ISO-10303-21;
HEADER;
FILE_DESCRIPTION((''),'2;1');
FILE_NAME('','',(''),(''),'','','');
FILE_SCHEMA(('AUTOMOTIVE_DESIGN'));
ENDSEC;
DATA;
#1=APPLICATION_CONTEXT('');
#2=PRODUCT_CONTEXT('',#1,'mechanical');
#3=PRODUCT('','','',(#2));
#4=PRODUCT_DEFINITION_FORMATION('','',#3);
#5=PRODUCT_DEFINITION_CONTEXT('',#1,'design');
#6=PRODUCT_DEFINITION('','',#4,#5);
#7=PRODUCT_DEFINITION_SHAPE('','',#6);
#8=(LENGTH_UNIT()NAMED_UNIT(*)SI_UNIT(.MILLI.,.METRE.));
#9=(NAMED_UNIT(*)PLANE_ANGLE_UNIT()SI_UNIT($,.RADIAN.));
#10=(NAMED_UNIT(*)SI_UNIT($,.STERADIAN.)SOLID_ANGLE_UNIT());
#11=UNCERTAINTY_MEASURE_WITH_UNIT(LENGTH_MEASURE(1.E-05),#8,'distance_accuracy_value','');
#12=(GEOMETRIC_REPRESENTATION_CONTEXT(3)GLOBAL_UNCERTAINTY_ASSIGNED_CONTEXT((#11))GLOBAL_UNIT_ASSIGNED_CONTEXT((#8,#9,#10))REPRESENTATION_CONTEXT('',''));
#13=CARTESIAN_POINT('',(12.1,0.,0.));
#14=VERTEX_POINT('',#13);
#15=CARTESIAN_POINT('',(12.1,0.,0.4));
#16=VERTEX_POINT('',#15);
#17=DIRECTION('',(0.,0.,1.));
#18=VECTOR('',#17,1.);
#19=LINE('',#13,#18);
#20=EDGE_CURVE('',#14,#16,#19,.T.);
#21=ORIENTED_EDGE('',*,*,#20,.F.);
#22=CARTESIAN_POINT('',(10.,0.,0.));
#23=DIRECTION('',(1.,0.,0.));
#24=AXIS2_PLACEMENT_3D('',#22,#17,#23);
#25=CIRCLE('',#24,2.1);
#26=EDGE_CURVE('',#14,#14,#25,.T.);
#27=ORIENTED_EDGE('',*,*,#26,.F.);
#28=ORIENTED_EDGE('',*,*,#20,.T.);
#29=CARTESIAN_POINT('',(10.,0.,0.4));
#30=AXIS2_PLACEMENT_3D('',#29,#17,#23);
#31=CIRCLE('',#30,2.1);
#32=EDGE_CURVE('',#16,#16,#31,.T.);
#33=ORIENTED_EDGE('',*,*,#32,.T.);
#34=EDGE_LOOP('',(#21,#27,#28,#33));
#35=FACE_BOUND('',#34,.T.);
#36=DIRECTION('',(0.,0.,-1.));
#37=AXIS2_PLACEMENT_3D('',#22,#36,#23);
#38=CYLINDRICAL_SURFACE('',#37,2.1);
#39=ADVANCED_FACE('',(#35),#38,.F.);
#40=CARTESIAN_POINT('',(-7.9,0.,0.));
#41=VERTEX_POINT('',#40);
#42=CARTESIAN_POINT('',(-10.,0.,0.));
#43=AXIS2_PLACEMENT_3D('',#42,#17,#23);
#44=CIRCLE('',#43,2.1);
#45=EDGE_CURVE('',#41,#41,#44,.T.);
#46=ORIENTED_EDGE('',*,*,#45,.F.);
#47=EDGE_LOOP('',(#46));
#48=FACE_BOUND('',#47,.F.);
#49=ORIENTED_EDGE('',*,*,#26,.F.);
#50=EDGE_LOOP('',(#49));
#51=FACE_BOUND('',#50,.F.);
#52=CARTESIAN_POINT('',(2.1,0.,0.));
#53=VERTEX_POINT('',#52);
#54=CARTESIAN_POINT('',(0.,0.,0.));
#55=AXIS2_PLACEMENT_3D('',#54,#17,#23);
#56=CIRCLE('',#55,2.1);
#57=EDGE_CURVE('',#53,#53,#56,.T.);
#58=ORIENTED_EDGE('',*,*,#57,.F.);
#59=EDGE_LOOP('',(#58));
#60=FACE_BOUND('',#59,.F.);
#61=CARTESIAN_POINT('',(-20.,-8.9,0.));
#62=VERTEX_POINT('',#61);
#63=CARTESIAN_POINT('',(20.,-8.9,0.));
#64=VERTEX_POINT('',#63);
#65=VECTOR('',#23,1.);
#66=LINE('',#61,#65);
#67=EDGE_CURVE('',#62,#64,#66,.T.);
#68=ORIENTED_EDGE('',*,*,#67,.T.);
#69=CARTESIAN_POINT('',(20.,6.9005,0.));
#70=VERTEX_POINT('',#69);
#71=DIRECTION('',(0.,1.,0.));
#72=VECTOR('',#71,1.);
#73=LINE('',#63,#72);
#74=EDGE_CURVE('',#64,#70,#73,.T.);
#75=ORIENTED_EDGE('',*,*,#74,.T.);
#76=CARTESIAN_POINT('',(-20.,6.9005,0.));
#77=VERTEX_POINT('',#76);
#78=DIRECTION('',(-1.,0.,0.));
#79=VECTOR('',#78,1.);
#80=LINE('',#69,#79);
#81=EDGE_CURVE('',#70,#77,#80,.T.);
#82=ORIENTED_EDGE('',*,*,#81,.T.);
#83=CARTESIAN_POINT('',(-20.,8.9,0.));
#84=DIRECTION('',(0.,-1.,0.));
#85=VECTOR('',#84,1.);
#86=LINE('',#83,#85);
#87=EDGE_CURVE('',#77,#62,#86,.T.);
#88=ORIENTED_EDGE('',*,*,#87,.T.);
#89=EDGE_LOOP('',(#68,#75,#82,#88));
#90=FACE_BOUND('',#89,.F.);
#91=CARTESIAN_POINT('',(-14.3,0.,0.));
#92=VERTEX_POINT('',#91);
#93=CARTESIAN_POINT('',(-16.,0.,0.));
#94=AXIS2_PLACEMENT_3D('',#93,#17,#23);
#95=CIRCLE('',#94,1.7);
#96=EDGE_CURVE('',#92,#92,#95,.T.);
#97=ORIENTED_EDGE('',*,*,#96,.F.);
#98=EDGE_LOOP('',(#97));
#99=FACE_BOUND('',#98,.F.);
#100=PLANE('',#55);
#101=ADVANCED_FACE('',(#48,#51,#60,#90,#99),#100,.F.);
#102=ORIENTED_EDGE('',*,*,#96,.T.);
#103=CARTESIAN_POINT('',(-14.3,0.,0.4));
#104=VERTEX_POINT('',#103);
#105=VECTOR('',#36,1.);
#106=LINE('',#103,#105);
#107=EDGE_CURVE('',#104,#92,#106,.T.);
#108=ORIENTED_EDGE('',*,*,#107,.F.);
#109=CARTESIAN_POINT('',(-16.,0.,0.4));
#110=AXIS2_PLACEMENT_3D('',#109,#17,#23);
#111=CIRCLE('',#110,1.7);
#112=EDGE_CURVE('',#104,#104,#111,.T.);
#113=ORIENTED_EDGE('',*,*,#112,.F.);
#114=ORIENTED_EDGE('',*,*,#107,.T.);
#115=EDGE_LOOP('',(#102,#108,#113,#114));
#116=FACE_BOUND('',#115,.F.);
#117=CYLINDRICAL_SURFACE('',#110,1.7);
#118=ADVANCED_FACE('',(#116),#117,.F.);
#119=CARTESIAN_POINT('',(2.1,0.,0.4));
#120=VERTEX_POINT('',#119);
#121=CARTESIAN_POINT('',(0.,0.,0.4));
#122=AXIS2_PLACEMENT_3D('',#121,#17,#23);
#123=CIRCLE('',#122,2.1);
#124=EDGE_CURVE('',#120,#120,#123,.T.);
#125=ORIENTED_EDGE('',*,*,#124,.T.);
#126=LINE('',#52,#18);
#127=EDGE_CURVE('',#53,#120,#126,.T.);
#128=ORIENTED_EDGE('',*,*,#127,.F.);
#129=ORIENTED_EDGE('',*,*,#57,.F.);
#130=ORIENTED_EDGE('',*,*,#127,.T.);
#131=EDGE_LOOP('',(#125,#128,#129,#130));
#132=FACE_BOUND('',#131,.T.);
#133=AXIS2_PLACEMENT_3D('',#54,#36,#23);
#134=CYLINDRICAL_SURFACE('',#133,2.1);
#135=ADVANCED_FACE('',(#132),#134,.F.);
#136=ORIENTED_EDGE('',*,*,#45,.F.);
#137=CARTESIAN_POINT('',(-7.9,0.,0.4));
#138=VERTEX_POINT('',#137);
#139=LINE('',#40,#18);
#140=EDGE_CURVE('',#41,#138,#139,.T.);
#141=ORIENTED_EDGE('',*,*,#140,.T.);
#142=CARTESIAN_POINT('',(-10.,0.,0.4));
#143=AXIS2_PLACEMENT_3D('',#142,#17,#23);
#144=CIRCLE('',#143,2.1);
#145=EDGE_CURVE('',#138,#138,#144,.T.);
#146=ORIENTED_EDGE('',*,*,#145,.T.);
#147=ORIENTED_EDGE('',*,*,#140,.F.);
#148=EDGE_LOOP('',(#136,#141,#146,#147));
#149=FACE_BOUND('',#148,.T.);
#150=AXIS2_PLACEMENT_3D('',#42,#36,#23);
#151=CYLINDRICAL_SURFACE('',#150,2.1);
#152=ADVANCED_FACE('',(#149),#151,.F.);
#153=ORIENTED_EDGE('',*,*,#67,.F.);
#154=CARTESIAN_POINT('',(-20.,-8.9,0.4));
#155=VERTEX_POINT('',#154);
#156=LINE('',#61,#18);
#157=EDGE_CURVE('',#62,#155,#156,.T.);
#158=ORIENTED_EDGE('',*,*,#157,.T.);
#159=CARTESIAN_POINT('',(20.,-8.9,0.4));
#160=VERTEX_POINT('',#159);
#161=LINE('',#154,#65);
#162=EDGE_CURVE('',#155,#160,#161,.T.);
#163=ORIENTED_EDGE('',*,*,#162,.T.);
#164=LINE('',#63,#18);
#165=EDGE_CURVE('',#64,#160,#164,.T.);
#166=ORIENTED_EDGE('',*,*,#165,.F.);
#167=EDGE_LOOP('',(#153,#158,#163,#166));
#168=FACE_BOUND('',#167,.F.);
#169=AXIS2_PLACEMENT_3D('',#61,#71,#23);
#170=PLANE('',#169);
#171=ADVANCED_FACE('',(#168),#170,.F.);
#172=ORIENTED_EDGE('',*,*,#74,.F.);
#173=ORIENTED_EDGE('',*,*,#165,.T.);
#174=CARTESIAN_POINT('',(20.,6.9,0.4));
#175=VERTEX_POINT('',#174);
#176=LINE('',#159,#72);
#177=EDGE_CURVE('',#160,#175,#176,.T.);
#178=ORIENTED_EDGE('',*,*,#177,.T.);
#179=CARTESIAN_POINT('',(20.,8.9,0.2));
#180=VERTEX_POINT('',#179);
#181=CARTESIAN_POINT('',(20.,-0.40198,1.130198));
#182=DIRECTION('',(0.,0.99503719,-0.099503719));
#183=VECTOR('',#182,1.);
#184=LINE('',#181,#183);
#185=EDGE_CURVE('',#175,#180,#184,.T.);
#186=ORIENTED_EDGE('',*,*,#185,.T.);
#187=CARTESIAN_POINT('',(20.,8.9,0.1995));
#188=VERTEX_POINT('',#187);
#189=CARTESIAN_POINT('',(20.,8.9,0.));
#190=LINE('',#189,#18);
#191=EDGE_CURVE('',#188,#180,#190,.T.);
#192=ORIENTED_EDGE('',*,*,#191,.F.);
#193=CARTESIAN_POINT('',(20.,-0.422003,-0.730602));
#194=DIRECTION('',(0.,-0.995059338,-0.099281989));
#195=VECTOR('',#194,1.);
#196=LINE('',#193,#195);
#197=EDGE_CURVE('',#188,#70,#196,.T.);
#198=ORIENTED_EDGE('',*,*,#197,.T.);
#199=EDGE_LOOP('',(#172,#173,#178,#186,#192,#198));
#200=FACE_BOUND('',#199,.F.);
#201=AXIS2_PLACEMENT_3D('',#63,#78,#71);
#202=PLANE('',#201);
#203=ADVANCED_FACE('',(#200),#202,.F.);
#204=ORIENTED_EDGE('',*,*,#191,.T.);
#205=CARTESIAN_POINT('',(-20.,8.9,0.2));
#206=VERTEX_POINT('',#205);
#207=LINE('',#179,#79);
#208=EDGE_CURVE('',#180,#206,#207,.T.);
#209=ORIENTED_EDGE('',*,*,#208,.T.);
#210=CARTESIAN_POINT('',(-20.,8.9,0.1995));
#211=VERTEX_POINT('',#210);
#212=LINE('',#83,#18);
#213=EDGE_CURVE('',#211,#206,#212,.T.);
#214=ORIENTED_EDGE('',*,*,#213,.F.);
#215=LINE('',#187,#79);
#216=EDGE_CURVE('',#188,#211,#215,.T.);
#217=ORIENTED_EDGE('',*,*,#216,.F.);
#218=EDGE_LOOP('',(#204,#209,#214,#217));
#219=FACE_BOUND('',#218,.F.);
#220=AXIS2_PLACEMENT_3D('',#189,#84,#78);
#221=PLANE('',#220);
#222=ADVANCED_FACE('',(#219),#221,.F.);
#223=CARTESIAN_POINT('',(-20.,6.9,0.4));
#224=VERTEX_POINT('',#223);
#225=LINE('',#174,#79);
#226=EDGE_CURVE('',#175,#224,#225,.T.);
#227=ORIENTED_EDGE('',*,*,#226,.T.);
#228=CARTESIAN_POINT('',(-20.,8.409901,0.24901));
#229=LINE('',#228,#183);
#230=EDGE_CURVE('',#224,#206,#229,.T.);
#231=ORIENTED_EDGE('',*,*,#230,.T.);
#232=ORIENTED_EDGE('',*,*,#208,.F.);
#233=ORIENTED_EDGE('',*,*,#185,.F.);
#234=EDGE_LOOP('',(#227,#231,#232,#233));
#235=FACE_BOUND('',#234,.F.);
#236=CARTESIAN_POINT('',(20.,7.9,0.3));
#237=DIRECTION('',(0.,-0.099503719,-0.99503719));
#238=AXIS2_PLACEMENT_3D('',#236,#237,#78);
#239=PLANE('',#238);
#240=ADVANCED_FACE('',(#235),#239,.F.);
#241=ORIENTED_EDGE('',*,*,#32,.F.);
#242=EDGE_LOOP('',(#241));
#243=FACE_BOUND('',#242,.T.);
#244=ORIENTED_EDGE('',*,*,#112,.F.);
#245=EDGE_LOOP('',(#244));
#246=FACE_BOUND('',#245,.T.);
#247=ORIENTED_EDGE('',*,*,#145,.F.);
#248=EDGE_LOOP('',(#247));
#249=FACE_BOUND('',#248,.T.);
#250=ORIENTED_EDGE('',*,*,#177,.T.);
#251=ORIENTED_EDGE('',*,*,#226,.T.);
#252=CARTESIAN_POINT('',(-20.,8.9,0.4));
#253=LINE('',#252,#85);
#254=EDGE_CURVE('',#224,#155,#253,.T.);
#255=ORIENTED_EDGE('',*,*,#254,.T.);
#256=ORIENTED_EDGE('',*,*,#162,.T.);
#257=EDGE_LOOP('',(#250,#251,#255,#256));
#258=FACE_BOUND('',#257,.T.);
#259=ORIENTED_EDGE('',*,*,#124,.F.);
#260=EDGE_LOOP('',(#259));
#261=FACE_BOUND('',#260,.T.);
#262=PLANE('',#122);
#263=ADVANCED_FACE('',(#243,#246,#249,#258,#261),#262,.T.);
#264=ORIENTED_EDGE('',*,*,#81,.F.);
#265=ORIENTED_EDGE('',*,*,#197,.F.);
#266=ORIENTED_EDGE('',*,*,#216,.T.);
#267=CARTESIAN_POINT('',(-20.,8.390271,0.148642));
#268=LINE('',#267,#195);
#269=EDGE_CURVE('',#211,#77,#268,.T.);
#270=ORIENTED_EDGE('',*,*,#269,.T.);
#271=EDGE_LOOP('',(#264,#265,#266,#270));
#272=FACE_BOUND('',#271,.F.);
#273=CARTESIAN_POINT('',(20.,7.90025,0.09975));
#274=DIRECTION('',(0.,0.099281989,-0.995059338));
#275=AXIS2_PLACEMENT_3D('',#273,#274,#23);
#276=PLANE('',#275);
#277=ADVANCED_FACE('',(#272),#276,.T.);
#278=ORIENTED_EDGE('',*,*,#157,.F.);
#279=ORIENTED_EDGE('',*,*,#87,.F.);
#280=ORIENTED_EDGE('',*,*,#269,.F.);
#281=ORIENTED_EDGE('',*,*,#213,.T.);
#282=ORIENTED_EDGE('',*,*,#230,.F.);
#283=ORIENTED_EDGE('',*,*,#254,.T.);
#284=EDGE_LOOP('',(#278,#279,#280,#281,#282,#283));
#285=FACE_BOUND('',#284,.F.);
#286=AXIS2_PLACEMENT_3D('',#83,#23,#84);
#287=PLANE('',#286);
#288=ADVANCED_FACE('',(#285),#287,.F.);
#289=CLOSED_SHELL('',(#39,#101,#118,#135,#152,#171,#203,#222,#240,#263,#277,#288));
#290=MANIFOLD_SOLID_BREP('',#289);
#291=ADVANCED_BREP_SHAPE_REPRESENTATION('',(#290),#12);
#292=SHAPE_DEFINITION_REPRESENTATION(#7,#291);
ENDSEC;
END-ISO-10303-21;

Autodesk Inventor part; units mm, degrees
ref_plane "YZ Plane" through (0, 0, 0) normal (1, 0, 0) x (0, 1, 0)
ref_plane "XZ Plane" through (0, 0, 0) normal (0, 1, 0) x (-1, 0, 0)
ref_plane "XY Plane" through (0, 0, 0) normal (0, 0, 1) x (1, 0, 0)
sketch "スケッチ1" plane through (0, 0, 0) normal (0, 0, 1) x (1, 0, 0)
  line L0 (-20, -8.9) -> (20, -8.9)
  line L1 (20, -8.9) -> (20, 8.9)
  line L2 (20, 8.9) -> (-20, 8.9)
  line L3 (-20, 8.9) -> (-20, -8.9)
  line L4 (-20, -8.9) -> (20, 8.9) construction
  line L5 (20, -8.9) -> (-20, 8.9) construction
  circle A0 centre (0, 0) radius 2.1
  circle A1 centre (10, 0) radius 2.1
  circle A2 centre (-10, 0) radius 2.1
  dimension "d0" = 40
  dimension "d1" = 17.8
  dimension "d2" = 4.2
  dimension "d3" = 4.2
  dimension "d4" = 4.2
extrude "押し出し1" add sketch "スケッチ1" along normal blind 0.4
chamfer "面取り1" distance 2 distance2 0.2 1 edges at (0, 8.9, 0.4) measured on face at (0.0844, -6.6282, 0.4)
chamfer "面取り2" distance 0.2 distance2 2 1 edges at (0, 8.9, 0) measured on face at (-6.6667, 8.9, 0.0667)
sketch "スケッチ2" plane through (0, 0, 0.4) normal (0, 0, 1) x (1, 0, 0)
  circle A0 centre (-16, 0) radius 1.7
  point P0 (0, 0)
  dimension "d13" = 3.4
extrude "押し出し2" cut sketch "スケッチ2" against normal blind 10
properties part number "cutter_XB210" material "鋼 AISI 1015"
